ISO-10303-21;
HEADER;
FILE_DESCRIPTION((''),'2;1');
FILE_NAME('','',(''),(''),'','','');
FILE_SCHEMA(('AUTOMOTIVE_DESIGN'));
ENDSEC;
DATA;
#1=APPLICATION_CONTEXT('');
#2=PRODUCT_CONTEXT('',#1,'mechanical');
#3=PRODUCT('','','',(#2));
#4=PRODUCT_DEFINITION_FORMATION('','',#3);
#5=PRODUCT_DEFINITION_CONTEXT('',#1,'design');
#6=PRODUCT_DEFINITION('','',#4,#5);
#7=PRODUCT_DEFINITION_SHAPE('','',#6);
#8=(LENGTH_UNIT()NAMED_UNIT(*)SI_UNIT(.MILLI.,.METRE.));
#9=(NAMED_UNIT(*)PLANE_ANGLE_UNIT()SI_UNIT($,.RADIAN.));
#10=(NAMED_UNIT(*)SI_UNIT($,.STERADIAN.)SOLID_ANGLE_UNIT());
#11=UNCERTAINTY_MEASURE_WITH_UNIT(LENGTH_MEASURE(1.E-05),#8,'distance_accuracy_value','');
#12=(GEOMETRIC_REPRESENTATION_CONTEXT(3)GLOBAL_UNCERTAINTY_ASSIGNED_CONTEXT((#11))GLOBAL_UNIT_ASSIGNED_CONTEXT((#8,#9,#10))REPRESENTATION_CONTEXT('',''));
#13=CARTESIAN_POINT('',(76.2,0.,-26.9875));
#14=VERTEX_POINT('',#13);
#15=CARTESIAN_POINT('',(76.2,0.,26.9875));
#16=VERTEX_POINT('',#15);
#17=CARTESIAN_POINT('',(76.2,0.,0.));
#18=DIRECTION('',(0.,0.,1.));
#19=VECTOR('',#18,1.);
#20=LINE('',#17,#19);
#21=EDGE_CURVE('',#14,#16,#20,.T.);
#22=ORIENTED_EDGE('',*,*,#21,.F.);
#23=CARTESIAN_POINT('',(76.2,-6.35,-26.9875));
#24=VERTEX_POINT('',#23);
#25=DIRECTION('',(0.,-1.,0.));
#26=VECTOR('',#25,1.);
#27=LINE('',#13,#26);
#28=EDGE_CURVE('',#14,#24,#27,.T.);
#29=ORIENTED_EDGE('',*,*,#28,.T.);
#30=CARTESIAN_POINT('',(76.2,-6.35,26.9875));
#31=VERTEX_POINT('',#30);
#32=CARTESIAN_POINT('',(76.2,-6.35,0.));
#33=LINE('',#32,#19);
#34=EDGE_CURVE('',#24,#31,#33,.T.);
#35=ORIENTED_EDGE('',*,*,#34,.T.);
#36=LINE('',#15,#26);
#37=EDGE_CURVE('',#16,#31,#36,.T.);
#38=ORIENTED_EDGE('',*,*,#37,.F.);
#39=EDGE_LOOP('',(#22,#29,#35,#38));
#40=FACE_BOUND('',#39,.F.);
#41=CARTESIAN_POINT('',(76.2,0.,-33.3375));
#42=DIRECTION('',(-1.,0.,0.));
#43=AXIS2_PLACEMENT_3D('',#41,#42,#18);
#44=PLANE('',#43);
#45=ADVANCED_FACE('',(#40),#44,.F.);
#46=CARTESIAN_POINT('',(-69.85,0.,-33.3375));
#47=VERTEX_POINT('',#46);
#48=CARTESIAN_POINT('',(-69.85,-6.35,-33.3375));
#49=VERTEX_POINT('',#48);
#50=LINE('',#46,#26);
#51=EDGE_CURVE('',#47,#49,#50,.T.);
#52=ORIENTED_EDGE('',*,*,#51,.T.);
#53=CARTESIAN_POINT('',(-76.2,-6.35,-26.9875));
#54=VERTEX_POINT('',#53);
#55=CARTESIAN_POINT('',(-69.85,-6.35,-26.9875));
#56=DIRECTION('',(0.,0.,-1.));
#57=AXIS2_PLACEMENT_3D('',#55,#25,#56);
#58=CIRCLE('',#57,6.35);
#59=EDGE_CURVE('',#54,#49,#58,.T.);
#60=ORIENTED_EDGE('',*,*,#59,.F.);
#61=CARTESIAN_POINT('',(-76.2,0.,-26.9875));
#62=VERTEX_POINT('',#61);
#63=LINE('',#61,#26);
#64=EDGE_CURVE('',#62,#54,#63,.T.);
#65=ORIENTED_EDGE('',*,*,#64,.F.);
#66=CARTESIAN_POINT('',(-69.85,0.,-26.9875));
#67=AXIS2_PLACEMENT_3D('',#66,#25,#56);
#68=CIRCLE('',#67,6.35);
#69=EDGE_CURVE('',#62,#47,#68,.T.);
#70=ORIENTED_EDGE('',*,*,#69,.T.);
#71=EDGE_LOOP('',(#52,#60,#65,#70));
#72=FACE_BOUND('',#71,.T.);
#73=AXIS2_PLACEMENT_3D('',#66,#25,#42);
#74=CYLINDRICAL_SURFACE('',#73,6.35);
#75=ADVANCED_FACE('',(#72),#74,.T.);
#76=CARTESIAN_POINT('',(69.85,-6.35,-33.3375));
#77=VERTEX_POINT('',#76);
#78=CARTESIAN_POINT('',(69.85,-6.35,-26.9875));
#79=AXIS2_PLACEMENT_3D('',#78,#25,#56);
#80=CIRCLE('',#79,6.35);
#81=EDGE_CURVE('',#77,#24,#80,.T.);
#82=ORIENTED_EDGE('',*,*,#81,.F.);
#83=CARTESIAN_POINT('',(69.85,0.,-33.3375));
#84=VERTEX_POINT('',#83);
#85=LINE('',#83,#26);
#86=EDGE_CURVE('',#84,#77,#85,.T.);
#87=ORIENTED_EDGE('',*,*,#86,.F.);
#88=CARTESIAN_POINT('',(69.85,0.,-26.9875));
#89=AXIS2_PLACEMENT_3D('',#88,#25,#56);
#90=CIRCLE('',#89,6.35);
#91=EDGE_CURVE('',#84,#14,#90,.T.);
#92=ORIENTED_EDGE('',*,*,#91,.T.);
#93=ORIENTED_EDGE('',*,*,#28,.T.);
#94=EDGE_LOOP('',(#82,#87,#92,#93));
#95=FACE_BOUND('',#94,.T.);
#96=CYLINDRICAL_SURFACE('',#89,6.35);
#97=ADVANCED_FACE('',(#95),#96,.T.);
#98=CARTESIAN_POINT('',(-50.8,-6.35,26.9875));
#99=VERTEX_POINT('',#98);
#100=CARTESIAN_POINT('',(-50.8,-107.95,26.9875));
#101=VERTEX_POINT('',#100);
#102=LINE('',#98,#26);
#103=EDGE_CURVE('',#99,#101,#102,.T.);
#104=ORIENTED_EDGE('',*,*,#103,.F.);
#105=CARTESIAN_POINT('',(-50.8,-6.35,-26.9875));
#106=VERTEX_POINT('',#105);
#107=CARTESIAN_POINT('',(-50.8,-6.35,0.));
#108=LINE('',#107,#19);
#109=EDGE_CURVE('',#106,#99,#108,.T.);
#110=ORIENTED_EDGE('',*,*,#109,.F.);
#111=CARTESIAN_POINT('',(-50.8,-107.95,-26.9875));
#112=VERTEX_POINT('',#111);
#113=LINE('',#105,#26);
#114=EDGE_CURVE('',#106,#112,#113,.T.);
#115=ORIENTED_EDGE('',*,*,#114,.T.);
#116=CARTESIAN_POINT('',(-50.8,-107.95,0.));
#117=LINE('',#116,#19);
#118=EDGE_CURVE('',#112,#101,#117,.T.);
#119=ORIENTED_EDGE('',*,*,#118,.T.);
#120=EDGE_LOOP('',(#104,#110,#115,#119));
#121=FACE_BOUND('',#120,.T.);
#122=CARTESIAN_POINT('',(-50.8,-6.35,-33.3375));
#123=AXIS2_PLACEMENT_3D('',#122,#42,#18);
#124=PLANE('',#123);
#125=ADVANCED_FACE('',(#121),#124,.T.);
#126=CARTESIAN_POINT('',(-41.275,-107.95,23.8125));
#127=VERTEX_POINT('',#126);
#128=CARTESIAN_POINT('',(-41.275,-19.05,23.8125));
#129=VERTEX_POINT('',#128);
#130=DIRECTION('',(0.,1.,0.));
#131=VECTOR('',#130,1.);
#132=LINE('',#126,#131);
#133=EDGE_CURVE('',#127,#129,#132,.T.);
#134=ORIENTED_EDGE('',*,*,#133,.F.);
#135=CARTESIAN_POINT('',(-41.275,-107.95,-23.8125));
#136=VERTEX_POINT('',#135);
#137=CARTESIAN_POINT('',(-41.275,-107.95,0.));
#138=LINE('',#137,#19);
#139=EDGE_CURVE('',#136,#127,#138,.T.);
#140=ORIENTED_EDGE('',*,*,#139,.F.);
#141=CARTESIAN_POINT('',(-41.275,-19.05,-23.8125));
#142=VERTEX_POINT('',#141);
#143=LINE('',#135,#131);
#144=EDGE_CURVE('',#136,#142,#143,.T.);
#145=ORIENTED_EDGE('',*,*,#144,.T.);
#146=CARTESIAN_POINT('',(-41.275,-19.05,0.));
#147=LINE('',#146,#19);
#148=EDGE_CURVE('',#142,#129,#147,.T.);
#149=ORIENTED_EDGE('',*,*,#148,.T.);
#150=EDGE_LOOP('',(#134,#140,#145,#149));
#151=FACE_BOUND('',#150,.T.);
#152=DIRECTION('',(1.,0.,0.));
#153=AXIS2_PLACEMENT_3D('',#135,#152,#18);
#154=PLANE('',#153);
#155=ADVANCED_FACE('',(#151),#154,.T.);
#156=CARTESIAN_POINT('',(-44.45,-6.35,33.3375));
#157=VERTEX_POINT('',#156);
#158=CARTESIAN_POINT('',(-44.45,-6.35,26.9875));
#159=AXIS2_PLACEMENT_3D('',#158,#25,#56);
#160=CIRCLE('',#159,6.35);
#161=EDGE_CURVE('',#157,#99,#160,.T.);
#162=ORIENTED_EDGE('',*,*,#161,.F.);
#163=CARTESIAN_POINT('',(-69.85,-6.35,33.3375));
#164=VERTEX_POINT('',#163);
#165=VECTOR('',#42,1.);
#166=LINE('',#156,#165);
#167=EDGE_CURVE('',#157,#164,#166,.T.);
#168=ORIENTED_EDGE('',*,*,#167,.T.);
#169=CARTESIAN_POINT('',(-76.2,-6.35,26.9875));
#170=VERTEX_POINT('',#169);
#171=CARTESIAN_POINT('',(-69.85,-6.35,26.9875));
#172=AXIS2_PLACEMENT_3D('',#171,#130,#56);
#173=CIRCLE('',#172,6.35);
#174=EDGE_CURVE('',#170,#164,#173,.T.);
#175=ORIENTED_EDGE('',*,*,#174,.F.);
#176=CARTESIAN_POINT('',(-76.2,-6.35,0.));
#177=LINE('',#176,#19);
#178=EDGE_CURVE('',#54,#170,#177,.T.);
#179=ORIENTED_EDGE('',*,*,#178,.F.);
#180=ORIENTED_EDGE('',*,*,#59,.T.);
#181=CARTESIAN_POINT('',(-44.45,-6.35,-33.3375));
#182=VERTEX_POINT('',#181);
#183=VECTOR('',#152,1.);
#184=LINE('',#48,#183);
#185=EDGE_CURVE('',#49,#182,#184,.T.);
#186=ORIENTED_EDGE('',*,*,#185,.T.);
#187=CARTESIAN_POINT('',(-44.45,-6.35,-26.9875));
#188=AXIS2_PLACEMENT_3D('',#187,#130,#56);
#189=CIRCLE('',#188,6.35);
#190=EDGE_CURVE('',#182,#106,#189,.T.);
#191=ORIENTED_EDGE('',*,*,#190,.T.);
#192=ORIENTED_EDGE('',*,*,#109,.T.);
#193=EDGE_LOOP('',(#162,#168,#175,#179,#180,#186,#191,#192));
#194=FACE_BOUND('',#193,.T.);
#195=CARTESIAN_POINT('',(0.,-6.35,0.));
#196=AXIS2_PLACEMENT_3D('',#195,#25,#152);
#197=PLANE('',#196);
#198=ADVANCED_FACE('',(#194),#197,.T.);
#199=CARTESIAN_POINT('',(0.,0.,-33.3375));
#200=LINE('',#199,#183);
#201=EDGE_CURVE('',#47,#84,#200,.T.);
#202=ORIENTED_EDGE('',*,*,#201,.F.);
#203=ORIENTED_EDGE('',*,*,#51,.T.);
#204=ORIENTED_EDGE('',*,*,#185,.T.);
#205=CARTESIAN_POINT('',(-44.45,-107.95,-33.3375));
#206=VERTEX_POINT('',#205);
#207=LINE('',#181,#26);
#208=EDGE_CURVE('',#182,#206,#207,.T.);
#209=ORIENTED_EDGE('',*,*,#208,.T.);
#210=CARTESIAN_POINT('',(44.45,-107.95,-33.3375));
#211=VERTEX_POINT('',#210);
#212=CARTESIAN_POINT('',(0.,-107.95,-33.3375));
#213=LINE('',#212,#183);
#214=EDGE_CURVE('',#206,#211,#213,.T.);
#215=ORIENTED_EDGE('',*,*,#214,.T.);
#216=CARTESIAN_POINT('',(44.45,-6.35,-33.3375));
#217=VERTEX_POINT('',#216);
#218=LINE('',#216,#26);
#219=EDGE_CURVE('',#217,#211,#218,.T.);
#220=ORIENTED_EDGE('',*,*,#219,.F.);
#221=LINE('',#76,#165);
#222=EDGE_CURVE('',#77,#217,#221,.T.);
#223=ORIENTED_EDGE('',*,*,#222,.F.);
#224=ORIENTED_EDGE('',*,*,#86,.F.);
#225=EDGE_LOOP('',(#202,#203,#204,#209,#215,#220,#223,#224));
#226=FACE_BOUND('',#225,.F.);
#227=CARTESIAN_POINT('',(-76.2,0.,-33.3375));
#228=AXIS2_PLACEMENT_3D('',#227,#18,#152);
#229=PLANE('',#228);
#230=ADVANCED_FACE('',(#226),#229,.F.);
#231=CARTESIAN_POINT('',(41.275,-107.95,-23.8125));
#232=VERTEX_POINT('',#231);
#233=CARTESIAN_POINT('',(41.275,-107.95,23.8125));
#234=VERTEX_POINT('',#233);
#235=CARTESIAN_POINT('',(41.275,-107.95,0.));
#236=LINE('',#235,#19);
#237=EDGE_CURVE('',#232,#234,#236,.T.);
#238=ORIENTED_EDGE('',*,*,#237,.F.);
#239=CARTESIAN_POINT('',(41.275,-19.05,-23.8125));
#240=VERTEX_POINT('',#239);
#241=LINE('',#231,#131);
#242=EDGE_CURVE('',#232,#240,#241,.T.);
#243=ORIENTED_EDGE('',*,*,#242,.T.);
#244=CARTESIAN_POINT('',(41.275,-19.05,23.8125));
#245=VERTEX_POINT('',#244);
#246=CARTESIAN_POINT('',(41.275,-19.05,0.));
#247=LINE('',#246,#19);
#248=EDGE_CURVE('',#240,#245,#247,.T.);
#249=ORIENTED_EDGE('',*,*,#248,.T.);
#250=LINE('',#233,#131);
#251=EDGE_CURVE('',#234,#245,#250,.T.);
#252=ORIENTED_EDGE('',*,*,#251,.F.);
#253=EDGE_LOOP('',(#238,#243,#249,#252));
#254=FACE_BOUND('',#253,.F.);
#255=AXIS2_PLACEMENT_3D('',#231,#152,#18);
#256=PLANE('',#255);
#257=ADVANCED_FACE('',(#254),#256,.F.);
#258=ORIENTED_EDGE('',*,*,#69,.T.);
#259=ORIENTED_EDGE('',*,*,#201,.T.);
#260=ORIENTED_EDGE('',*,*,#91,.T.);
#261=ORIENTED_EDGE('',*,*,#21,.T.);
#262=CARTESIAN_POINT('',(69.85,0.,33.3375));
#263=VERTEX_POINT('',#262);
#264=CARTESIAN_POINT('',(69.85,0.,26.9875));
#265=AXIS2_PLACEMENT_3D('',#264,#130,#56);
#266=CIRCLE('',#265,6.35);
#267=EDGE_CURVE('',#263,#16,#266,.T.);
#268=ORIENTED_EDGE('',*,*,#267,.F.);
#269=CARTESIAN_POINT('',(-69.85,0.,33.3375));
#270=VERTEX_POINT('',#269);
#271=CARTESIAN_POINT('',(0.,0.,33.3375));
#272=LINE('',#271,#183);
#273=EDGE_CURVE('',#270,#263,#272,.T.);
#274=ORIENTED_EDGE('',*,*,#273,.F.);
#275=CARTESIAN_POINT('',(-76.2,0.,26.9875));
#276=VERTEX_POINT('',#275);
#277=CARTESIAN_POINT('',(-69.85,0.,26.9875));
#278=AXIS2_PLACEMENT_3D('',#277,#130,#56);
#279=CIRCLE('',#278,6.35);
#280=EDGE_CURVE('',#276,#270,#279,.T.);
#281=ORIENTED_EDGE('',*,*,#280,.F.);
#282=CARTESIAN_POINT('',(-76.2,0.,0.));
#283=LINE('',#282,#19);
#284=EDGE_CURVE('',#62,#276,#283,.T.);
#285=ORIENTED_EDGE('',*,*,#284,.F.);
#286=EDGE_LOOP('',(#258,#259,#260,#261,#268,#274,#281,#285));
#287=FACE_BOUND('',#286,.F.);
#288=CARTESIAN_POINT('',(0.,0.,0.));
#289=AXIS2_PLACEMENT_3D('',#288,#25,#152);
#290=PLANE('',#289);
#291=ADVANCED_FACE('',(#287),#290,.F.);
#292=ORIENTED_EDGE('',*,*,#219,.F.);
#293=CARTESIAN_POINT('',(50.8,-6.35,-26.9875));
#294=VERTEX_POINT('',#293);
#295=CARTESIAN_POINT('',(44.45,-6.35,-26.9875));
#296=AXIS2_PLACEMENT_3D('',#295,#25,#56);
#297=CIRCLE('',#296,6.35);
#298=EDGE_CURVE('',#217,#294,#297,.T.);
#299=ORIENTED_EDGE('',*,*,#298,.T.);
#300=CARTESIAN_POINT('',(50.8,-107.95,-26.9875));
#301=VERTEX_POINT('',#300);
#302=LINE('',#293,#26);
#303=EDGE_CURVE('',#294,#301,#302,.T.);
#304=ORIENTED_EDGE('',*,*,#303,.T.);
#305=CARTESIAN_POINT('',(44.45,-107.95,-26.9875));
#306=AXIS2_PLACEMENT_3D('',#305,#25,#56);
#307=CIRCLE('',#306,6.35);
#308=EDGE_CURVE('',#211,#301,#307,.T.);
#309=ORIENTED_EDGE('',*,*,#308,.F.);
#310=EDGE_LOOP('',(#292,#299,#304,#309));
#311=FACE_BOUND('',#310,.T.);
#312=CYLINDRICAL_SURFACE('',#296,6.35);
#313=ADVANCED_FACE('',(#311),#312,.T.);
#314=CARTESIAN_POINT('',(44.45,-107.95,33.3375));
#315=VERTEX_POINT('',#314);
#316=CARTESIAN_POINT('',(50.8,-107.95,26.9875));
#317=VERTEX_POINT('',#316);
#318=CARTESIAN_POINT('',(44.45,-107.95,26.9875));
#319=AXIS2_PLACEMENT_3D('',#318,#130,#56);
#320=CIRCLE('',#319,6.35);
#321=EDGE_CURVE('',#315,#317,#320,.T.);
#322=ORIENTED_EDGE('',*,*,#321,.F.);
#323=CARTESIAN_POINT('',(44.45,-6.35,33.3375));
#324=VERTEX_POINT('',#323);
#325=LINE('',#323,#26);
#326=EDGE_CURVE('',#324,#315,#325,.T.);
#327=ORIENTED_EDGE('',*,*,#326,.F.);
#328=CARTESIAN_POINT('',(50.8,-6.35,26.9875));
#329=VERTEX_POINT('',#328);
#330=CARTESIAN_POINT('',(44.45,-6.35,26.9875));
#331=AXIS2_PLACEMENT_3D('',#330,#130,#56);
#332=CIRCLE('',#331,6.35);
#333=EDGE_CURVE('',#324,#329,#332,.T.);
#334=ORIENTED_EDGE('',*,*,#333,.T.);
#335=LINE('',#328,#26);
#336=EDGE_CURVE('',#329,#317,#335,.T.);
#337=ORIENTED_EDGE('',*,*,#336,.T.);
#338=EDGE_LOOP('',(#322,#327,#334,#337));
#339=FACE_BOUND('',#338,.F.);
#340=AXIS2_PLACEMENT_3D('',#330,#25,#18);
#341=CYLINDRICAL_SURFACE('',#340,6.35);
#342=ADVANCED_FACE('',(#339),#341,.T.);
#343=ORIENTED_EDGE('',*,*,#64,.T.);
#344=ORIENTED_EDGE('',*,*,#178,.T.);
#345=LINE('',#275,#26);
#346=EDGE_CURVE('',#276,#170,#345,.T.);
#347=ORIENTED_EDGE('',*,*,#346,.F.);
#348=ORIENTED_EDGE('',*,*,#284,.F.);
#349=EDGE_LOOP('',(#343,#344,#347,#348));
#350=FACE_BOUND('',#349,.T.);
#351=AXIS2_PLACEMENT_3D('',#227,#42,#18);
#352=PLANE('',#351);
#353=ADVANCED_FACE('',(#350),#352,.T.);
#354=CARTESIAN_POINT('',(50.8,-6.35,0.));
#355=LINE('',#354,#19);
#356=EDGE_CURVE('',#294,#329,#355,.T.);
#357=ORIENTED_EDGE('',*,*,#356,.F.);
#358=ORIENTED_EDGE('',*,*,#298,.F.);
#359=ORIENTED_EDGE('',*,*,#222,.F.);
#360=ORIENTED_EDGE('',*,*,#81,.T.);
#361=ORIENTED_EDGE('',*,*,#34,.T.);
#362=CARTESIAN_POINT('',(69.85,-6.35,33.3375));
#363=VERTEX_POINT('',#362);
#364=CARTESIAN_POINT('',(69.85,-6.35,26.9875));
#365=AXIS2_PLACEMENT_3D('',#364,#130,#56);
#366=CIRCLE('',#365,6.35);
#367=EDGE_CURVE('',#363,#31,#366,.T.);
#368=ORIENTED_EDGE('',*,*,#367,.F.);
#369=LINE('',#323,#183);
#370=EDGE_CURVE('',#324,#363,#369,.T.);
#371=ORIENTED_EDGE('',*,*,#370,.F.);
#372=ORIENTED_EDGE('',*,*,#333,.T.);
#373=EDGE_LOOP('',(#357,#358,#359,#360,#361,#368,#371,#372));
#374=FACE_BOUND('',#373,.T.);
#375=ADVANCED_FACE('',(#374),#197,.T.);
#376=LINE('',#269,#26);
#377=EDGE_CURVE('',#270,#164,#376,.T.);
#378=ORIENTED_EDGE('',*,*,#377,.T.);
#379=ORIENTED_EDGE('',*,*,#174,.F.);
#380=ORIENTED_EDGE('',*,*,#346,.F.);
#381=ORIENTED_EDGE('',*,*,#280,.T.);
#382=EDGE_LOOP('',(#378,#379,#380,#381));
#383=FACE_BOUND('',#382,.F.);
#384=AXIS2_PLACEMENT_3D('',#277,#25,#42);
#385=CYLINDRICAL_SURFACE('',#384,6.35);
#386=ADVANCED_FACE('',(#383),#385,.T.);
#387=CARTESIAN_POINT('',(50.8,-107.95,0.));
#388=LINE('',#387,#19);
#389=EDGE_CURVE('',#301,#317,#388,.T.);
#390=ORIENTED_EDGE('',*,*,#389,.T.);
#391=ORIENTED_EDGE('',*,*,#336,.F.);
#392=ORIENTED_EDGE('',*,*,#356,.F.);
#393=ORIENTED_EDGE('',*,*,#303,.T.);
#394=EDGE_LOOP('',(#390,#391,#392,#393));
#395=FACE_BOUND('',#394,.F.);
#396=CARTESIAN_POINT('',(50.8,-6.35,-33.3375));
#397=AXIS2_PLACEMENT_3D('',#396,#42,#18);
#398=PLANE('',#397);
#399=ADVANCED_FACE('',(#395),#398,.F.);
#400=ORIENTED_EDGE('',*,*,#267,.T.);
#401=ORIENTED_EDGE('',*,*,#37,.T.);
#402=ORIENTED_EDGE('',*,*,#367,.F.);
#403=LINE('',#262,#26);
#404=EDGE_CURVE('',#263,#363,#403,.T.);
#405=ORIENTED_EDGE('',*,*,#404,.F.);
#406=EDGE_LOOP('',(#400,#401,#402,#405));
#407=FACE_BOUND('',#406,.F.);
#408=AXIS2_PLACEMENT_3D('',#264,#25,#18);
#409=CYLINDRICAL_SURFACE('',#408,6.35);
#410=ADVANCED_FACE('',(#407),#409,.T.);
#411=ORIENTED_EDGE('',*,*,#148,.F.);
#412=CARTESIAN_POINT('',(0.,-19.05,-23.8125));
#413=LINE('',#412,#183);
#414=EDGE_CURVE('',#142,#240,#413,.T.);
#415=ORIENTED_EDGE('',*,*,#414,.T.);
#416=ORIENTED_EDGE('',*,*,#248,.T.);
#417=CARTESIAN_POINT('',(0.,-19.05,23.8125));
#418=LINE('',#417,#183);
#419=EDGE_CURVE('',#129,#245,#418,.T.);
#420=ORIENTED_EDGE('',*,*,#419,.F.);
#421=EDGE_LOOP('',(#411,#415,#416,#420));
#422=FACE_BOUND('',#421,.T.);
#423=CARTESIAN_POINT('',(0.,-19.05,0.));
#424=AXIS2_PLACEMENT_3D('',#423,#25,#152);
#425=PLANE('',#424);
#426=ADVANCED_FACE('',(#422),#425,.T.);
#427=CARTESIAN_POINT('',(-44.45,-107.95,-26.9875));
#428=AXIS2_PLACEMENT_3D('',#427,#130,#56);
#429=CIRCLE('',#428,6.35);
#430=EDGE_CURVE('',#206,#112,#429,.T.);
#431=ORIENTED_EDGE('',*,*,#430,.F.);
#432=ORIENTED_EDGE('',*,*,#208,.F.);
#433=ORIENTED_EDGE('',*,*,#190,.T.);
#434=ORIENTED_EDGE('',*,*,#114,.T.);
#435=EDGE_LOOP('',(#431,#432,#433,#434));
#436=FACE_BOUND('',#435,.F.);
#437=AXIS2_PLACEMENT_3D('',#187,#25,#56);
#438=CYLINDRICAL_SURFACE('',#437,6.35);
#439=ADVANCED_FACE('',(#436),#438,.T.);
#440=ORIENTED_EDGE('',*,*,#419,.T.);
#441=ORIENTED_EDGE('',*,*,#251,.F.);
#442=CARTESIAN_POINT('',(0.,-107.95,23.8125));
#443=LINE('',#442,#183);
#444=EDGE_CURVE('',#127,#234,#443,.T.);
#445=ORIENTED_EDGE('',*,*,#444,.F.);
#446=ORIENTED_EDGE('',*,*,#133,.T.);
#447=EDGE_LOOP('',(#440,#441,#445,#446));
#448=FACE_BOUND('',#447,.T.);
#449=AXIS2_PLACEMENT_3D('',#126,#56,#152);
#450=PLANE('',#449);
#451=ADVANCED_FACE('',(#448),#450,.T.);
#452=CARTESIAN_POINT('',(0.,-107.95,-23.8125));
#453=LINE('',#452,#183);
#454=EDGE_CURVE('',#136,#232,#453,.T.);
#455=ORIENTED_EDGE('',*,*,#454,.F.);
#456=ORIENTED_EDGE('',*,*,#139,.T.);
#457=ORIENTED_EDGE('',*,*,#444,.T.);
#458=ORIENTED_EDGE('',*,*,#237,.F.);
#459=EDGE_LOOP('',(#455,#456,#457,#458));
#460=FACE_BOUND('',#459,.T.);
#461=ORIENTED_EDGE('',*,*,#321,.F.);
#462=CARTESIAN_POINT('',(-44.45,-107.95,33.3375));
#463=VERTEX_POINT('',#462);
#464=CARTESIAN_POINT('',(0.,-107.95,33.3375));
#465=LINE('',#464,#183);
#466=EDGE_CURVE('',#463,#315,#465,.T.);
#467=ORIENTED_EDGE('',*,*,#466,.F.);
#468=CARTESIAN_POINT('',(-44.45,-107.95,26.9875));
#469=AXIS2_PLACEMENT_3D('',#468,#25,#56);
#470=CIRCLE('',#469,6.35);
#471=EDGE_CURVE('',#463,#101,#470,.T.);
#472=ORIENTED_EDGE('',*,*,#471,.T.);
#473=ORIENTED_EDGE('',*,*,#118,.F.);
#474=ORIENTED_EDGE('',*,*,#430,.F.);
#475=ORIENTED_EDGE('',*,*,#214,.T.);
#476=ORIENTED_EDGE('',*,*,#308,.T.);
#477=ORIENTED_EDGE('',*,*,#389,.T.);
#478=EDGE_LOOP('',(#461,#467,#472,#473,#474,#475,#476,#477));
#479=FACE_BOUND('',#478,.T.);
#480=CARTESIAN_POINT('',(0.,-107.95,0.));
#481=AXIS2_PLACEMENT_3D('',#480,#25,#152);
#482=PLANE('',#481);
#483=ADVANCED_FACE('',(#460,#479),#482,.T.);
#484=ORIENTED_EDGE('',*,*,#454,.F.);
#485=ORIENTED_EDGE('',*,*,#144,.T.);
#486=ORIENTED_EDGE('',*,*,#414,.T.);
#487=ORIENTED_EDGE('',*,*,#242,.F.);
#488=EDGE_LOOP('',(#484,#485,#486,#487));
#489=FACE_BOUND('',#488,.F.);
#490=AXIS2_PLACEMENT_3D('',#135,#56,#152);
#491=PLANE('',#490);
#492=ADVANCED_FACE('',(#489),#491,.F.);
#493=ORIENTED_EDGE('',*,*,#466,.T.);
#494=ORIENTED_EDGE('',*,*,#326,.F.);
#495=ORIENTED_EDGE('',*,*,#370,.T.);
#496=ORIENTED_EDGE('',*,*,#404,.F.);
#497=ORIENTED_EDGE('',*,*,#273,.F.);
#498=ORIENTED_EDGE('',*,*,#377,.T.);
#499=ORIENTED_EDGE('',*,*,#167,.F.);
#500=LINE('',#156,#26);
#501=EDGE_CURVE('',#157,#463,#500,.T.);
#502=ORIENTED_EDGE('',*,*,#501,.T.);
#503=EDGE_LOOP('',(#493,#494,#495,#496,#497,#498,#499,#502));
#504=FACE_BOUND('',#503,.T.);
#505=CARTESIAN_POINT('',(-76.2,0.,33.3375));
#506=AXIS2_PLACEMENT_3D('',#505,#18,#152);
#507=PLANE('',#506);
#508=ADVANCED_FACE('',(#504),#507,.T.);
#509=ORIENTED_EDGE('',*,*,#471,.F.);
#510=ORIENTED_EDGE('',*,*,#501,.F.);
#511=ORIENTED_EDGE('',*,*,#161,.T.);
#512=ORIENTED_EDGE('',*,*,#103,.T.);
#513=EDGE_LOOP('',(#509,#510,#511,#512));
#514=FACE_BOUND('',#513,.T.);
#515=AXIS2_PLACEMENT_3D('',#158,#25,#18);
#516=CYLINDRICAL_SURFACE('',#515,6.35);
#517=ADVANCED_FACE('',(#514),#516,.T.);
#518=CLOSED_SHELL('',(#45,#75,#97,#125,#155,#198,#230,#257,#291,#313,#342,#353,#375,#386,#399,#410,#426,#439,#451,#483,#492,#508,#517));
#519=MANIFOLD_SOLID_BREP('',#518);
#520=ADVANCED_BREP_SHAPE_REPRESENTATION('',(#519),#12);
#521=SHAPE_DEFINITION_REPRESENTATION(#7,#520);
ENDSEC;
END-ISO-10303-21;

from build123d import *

# Parameters (mm, degrees)
F0_W     = 152.4
F0_H     = 66.675
F1_DEPTH = 6.35
F2_W     = 101.6
F2_H     = 66.675
F3_DEPTH = 101.6
F4_R     = 6.35
F5_W     = 82.55
F5_H     = 47.625
F6_DEPTH = 88.9


with BuildPart() as f1:
    # F0 (on Front) → F1 (new body)
    with BuildSketch(Plane.XZ):
        Rectangle(F0_W, F0_H)
    extrude(amount=F1_DEPTH)

    # F2 (on face) → F3 (join)
    with BuildSketch(Plane.XZ.offset(6.35)):
        Rectangle(F2_W, F2_H)
    extrude(amount=F3_DEPTH)

    # F4
    f4_edges = [f1.edges().sort_by_distance(p)[0] for p in [
        (-50.8, -57.15, 33.3375),
        (-76.2, -3.175, 33.3375),
        (-76.2, -3.175, -33.3375),
        (50.8, -57.15, -33.3375),
        (-50.8, -57.15, -33.3375),
        (50.8, -57.15, 33.3375),
        (76.2, -3.175, 33.3375),
        (76.2, -3.175, -33.3375),
    ]]
    fillet(f4_edges, radius=F4_R)

    # F5 (on face) → F6 (cut)
    with BuildSketch(Plane.XZ.offset(107.95)):
        Rectangle(F5_W, F5_H)
    extrude(amount=-F6_DEPTH, mode=Mode.SUBTRACT)


solid = f1.part
